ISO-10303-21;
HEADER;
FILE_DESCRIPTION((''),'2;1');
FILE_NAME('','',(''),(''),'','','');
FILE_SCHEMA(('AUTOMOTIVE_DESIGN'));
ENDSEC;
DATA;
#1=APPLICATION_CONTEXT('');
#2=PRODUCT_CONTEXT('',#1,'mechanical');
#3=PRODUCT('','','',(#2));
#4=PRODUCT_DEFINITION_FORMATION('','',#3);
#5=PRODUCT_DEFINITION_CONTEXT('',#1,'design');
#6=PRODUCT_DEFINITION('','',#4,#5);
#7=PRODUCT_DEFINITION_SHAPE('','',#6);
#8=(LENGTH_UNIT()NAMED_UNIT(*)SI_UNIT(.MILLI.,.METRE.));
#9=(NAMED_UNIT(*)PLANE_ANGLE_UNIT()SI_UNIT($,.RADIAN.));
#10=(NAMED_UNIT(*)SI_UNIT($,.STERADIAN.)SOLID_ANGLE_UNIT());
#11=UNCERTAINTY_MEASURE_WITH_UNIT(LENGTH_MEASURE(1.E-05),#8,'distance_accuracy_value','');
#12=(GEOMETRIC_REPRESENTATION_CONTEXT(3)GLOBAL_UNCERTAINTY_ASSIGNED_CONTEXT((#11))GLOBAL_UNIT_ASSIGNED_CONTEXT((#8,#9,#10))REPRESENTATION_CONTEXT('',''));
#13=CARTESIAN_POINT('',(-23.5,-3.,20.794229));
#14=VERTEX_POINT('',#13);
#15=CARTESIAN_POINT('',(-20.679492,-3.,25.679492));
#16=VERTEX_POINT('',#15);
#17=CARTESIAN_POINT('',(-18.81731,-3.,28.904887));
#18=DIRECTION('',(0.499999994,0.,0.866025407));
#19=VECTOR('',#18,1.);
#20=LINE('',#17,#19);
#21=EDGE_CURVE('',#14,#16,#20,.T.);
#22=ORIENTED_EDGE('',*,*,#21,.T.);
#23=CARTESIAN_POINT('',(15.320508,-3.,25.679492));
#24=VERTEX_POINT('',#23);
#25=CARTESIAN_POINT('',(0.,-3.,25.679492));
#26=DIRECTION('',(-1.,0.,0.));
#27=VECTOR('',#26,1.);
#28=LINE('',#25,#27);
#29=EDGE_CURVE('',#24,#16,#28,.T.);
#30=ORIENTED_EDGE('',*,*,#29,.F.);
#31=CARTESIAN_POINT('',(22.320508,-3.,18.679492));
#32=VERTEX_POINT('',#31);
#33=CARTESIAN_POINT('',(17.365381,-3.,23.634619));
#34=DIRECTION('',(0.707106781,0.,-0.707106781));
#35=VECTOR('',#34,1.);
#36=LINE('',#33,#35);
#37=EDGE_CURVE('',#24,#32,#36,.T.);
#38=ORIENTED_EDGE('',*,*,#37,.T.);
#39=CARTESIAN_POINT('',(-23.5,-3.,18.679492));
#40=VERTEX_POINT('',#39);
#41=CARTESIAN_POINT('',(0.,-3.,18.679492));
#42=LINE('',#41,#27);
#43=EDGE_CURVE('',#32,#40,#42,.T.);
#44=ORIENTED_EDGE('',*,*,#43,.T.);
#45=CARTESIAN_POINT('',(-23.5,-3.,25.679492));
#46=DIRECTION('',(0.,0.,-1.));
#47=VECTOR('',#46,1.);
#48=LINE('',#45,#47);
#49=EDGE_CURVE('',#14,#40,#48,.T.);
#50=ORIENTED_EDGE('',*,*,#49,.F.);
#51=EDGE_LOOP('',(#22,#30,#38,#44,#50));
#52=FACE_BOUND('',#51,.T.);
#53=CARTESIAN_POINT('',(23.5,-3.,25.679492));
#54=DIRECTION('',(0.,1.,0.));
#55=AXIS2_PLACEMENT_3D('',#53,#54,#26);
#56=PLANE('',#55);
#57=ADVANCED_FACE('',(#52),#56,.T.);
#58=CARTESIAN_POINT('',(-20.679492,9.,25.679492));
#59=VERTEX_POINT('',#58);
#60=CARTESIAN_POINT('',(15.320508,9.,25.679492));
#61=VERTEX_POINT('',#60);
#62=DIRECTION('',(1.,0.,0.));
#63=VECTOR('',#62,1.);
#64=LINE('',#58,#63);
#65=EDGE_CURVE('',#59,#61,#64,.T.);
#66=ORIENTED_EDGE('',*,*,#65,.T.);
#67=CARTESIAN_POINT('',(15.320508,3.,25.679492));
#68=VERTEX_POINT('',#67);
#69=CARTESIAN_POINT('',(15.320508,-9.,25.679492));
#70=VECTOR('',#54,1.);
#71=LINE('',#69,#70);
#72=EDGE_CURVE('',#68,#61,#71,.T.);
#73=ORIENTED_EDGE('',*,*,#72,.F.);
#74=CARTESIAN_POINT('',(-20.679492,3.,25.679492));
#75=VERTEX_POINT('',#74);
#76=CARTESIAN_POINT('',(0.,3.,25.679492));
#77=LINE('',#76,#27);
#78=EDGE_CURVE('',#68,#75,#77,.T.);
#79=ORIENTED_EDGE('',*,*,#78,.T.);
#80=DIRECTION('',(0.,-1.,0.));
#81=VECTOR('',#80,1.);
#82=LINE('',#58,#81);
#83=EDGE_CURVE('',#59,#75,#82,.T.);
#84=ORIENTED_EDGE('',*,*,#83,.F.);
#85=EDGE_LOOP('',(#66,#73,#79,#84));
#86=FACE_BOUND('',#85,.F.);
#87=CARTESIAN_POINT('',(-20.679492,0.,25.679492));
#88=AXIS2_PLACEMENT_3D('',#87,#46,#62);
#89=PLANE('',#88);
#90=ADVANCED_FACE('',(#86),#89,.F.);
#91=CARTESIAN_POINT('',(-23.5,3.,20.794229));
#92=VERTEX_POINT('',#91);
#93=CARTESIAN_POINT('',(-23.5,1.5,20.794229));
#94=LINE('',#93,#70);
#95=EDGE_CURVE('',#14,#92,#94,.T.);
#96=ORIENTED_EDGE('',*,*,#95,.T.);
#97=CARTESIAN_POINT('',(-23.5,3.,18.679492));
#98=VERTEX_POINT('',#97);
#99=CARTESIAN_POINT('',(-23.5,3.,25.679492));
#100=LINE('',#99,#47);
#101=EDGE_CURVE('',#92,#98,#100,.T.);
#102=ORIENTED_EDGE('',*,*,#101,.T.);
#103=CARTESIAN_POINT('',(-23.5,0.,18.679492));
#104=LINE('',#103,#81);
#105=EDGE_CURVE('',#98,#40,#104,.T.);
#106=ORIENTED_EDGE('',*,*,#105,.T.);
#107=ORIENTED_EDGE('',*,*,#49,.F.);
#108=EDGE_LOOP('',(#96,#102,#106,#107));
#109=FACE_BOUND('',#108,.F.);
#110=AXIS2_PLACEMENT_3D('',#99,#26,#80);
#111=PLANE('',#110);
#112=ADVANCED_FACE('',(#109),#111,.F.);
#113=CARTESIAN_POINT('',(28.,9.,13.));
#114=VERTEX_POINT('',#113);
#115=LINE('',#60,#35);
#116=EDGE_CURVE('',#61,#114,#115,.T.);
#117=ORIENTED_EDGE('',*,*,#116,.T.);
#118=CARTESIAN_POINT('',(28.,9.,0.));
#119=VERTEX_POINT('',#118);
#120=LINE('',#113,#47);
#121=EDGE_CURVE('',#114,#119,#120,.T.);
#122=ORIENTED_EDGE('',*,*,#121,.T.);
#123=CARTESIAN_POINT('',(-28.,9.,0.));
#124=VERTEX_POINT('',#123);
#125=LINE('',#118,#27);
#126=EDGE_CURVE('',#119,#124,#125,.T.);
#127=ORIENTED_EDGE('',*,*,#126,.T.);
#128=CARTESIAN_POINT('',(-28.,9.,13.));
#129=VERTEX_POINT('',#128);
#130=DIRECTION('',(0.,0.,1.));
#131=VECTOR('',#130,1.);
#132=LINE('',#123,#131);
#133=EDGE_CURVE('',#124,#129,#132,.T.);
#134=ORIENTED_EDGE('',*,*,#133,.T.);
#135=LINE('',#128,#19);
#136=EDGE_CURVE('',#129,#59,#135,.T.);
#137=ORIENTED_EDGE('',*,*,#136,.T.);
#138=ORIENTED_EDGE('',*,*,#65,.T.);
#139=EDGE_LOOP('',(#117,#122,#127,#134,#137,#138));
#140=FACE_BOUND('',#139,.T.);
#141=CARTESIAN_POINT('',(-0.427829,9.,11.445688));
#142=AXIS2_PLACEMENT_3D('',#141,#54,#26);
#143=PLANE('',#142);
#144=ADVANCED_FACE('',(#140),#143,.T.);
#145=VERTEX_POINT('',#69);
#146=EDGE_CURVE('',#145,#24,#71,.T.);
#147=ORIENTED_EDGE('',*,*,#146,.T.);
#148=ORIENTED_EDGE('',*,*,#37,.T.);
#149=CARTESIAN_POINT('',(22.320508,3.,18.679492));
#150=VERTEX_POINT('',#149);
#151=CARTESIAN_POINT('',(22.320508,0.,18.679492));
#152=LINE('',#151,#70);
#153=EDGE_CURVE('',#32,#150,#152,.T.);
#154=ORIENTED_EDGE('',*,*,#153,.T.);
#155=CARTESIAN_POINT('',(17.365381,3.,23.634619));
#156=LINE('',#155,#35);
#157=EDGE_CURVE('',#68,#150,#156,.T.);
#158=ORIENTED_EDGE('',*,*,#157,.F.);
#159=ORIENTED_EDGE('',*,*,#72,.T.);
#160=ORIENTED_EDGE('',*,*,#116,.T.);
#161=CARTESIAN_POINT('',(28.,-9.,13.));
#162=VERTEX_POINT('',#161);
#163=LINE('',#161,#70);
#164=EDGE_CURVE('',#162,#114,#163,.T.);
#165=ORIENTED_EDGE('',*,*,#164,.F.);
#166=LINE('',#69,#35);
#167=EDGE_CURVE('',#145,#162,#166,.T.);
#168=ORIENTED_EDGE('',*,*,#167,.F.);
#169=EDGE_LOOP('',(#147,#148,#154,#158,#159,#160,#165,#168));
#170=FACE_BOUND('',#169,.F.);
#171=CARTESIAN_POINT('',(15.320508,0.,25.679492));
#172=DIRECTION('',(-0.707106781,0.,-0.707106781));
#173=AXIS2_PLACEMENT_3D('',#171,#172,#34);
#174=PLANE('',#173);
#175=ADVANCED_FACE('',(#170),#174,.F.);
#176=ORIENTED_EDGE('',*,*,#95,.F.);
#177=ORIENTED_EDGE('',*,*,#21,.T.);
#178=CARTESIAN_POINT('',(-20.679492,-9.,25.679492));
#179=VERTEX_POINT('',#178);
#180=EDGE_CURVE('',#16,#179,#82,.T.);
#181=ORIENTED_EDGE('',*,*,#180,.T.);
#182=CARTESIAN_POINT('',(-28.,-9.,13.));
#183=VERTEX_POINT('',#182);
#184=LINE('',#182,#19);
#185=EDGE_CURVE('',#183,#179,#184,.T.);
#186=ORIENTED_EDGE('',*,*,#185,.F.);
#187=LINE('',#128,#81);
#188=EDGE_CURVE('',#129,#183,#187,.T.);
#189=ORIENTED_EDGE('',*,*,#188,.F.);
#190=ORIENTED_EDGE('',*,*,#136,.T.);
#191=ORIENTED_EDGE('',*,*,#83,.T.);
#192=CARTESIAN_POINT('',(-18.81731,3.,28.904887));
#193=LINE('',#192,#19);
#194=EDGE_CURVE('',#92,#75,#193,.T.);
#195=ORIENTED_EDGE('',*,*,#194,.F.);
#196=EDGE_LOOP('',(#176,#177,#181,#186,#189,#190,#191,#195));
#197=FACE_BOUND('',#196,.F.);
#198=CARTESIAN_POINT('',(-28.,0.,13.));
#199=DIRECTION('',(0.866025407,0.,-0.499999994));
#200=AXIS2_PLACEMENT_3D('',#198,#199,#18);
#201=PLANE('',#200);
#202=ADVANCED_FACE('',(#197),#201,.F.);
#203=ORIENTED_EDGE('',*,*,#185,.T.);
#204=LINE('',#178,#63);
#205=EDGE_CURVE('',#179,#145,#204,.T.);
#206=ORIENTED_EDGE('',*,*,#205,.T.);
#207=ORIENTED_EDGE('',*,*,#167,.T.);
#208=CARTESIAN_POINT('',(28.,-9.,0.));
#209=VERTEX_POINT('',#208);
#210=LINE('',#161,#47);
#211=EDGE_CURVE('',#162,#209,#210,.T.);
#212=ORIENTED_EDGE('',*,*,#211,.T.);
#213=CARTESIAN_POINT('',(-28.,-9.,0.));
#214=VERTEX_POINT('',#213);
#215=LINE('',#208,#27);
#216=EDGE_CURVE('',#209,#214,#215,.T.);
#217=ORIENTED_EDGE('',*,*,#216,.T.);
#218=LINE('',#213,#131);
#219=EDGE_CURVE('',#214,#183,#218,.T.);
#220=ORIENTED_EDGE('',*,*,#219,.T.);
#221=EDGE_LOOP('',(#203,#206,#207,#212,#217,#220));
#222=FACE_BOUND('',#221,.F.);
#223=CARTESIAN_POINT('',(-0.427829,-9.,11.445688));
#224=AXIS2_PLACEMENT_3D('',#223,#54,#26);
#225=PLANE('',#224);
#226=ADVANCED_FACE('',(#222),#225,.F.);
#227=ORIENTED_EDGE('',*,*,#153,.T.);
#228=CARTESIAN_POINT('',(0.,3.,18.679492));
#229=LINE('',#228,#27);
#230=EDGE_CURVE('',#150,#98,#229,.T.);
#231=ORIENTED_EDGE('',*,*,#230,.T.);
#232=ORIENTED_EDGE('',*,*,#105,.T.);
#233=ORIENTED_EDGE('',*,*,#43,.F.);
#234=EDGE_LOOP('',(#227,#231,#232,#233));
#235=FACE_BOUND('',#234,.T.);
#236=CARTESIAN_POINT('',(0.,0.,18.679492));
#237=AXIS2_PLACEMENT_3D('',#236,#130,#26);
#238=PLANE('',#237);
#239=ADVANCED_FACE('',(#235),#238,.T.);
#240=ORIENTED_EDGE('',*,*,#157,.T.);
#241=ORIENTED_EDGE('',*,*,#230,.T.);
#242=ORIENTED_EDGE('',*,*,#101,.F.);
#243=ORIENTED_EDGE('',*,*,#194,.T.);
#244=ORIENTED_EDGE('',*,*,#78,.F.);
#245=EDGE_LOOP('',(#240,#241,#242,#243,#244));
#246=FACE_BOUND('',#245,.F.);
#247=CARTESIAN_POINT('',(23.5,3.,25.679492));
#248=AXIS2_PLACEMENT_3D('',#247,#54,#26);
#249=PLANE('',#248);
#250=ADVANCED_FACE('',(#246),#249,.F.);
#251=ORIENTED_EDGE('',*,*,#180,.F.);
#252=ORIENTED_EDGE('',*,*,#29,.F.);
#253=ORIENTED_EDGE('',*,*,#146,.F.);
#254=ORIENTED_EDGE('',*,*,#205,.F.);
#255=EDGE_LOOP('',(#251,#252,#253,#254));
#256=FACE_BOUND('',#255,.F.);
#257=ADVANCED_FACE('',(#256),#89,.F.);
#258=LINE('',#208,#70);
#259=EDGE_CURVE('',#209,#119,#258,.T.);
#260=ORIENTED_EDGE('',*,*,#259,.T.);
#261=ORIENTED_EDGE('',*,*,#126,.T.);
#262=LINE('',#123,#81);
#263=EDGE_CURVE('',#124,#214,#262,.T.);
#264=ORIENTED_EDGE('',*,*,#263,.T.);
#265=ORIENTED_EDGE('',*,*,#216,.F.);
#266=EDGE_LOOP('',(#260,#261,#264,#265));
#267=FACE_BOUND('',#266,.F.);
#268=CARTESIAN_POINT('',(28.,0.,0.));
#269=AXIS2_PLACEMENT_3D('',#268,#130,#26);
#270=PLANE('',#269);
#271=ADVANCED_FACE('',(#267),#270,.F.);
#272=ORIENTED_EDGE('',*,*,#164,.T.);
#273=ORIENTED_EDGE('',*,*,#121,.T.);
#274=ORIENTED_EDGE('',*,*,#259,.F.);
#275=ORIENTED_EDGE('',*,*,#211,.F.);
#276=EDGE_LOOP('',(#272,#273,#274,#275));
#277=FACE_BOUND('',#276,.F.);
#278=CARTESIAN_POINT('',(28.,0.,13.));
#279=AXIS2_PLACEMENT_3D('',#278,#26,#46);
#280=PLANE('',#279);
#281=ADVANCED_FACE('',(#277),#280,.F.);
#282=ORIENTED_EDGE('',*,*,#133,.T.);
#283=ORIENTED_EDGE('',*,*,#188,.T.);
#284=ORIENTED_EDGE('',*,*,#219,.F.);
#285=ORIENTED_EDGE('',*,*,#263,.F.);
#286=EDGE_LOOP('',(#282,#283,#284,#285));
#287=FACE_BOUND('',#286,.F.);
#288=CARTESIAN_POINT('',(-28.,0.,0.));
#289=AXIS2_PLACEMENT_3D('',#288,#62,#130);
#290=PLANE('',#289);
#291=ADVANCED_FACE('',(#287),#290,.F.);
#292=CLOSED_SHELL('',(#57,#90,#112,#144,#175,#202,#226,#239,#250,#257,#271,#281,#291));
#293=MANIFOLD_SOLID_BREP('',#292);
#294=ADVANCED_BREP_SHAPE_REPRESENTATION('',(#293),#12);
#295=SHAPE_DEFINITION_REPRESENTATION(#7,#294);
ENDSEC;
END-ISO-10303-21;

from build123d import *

# Parameters (mm, degrees)
PAD_DEPTH    = 9
SKETCH001_W  = 47
SKETCH001_H  = 6
POCKET_DEPTH = 7


with BuildPart() as part:
    # Sketch → Pad (new body, symmetric)
    with BuildSketch(Plane.XZ):
        Polygon((-20.679492, 25.679492), (15.320508, 25.679492), (28, 13), (28, 0), (-28, 0), (-28, 13), align=None)
    extrude(amount=PAD_DEPTH, both=True)

    # Sketch001 (on Face1 of Pad) → Pocket (cut)
    with BuildSketch(Plane(origin=(0, 0, 25.679492), x_dir=(-1, 0, 0), z_dir=(0, 0, 1))):
        Rectangle(SKETCH001_W, SKETCH001_H)
    extrude(amount=-POCKET_DEPTH, mode=Mode.SUBTRACT)


solid = part.part
